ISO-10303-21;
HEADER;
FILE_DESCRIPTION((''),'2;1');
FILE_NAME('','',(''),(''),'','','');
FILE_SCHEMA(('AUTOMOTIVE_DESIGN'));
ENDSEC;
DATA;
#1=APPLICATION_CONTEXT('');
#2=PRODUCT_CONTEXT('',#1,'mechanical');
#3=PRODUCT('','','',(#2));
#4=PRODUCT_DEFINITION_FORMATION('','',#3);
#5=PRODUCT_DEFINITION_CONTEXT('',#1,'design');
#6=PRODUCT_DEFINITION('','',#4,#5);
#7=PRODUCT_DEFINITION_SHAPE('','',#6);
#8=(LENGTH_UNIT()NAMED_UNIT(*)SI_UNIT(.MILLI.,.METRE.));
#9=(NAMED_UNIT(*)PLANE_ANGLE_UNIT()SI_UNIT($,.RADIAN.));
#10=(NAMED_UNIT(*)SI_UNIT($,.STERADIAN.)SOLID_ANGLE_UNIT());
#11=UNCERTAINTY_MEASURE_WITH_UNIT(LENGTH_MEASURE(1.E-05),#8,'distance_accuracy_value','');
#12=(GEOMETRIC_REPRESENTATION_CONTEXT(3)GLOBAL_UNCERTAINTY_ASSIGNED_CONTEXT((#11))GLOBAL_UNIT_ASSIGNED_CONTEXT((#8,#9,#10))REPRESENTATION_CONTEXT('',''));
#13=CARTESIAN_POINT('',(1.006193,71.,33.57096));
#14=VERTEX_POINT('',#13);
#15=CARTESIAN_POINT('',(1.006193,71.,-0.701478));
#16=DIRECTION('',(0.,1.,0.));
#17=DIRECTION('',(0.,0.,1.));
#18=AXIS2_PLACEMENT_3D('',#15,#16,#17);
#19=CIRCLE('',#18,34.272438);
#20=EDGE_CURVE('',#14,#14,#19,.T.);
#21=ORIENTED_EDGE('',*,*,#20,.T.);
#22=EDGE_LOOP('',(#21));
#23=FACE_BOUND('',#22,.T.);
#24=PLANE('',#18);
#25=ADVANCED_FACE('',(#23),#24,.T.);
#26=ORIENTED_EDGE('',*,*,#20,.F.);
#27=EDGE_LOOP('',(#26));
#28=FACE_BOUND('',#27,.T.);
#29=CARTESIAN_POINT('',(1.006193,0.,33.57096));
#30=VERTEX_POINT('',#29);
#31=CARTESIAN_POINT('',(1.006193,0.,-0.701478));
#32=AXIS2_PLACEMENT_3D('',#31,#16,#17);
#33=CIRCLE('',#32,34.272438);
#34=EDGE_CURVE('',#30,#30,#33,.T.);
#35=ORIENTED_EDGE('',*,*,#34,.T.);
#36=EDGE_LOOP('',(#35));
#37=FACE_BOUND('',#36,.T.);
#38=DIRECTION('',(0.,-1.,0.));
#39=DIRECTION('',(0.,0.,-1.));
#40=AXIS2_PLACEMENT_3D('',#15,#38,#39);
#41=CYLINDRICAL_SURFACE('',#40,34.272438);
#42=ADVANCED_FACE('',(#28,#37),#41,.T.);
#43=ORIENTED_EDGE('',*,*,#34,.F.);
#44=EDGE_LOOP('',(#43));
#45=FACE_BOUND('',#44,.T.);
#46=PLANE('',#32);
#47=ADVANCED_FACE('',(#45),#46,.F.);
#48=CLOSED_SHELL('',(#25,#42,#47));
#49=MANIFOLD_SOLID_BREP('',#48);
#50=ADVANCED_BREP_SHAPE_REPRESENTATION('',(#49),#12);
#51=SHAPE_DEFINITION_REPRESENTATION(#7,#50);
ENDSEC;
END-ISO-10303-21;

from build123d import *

# Parameters (mm, degrees)
SKETCH1_R           = 34.272438036
BOSS_EXTRUDE1_DEPTH = 71


with BuildPart() as part:
    # Sketch1 → Boss-Extrude1 (new body)
    with BuildSketch(Plane(origin=(0, 0, 0), x_dir=(1, 0, 0), z_dir=(0, 1, 0))):
        with Locations(Location((1.006192841, 0.701478064, 0), (0, 0, 270))):
            Circle(SKETCH1_R)
    extrude(amount=BOSS_EXTRUDE1_DEPTH)


solid = part.part
